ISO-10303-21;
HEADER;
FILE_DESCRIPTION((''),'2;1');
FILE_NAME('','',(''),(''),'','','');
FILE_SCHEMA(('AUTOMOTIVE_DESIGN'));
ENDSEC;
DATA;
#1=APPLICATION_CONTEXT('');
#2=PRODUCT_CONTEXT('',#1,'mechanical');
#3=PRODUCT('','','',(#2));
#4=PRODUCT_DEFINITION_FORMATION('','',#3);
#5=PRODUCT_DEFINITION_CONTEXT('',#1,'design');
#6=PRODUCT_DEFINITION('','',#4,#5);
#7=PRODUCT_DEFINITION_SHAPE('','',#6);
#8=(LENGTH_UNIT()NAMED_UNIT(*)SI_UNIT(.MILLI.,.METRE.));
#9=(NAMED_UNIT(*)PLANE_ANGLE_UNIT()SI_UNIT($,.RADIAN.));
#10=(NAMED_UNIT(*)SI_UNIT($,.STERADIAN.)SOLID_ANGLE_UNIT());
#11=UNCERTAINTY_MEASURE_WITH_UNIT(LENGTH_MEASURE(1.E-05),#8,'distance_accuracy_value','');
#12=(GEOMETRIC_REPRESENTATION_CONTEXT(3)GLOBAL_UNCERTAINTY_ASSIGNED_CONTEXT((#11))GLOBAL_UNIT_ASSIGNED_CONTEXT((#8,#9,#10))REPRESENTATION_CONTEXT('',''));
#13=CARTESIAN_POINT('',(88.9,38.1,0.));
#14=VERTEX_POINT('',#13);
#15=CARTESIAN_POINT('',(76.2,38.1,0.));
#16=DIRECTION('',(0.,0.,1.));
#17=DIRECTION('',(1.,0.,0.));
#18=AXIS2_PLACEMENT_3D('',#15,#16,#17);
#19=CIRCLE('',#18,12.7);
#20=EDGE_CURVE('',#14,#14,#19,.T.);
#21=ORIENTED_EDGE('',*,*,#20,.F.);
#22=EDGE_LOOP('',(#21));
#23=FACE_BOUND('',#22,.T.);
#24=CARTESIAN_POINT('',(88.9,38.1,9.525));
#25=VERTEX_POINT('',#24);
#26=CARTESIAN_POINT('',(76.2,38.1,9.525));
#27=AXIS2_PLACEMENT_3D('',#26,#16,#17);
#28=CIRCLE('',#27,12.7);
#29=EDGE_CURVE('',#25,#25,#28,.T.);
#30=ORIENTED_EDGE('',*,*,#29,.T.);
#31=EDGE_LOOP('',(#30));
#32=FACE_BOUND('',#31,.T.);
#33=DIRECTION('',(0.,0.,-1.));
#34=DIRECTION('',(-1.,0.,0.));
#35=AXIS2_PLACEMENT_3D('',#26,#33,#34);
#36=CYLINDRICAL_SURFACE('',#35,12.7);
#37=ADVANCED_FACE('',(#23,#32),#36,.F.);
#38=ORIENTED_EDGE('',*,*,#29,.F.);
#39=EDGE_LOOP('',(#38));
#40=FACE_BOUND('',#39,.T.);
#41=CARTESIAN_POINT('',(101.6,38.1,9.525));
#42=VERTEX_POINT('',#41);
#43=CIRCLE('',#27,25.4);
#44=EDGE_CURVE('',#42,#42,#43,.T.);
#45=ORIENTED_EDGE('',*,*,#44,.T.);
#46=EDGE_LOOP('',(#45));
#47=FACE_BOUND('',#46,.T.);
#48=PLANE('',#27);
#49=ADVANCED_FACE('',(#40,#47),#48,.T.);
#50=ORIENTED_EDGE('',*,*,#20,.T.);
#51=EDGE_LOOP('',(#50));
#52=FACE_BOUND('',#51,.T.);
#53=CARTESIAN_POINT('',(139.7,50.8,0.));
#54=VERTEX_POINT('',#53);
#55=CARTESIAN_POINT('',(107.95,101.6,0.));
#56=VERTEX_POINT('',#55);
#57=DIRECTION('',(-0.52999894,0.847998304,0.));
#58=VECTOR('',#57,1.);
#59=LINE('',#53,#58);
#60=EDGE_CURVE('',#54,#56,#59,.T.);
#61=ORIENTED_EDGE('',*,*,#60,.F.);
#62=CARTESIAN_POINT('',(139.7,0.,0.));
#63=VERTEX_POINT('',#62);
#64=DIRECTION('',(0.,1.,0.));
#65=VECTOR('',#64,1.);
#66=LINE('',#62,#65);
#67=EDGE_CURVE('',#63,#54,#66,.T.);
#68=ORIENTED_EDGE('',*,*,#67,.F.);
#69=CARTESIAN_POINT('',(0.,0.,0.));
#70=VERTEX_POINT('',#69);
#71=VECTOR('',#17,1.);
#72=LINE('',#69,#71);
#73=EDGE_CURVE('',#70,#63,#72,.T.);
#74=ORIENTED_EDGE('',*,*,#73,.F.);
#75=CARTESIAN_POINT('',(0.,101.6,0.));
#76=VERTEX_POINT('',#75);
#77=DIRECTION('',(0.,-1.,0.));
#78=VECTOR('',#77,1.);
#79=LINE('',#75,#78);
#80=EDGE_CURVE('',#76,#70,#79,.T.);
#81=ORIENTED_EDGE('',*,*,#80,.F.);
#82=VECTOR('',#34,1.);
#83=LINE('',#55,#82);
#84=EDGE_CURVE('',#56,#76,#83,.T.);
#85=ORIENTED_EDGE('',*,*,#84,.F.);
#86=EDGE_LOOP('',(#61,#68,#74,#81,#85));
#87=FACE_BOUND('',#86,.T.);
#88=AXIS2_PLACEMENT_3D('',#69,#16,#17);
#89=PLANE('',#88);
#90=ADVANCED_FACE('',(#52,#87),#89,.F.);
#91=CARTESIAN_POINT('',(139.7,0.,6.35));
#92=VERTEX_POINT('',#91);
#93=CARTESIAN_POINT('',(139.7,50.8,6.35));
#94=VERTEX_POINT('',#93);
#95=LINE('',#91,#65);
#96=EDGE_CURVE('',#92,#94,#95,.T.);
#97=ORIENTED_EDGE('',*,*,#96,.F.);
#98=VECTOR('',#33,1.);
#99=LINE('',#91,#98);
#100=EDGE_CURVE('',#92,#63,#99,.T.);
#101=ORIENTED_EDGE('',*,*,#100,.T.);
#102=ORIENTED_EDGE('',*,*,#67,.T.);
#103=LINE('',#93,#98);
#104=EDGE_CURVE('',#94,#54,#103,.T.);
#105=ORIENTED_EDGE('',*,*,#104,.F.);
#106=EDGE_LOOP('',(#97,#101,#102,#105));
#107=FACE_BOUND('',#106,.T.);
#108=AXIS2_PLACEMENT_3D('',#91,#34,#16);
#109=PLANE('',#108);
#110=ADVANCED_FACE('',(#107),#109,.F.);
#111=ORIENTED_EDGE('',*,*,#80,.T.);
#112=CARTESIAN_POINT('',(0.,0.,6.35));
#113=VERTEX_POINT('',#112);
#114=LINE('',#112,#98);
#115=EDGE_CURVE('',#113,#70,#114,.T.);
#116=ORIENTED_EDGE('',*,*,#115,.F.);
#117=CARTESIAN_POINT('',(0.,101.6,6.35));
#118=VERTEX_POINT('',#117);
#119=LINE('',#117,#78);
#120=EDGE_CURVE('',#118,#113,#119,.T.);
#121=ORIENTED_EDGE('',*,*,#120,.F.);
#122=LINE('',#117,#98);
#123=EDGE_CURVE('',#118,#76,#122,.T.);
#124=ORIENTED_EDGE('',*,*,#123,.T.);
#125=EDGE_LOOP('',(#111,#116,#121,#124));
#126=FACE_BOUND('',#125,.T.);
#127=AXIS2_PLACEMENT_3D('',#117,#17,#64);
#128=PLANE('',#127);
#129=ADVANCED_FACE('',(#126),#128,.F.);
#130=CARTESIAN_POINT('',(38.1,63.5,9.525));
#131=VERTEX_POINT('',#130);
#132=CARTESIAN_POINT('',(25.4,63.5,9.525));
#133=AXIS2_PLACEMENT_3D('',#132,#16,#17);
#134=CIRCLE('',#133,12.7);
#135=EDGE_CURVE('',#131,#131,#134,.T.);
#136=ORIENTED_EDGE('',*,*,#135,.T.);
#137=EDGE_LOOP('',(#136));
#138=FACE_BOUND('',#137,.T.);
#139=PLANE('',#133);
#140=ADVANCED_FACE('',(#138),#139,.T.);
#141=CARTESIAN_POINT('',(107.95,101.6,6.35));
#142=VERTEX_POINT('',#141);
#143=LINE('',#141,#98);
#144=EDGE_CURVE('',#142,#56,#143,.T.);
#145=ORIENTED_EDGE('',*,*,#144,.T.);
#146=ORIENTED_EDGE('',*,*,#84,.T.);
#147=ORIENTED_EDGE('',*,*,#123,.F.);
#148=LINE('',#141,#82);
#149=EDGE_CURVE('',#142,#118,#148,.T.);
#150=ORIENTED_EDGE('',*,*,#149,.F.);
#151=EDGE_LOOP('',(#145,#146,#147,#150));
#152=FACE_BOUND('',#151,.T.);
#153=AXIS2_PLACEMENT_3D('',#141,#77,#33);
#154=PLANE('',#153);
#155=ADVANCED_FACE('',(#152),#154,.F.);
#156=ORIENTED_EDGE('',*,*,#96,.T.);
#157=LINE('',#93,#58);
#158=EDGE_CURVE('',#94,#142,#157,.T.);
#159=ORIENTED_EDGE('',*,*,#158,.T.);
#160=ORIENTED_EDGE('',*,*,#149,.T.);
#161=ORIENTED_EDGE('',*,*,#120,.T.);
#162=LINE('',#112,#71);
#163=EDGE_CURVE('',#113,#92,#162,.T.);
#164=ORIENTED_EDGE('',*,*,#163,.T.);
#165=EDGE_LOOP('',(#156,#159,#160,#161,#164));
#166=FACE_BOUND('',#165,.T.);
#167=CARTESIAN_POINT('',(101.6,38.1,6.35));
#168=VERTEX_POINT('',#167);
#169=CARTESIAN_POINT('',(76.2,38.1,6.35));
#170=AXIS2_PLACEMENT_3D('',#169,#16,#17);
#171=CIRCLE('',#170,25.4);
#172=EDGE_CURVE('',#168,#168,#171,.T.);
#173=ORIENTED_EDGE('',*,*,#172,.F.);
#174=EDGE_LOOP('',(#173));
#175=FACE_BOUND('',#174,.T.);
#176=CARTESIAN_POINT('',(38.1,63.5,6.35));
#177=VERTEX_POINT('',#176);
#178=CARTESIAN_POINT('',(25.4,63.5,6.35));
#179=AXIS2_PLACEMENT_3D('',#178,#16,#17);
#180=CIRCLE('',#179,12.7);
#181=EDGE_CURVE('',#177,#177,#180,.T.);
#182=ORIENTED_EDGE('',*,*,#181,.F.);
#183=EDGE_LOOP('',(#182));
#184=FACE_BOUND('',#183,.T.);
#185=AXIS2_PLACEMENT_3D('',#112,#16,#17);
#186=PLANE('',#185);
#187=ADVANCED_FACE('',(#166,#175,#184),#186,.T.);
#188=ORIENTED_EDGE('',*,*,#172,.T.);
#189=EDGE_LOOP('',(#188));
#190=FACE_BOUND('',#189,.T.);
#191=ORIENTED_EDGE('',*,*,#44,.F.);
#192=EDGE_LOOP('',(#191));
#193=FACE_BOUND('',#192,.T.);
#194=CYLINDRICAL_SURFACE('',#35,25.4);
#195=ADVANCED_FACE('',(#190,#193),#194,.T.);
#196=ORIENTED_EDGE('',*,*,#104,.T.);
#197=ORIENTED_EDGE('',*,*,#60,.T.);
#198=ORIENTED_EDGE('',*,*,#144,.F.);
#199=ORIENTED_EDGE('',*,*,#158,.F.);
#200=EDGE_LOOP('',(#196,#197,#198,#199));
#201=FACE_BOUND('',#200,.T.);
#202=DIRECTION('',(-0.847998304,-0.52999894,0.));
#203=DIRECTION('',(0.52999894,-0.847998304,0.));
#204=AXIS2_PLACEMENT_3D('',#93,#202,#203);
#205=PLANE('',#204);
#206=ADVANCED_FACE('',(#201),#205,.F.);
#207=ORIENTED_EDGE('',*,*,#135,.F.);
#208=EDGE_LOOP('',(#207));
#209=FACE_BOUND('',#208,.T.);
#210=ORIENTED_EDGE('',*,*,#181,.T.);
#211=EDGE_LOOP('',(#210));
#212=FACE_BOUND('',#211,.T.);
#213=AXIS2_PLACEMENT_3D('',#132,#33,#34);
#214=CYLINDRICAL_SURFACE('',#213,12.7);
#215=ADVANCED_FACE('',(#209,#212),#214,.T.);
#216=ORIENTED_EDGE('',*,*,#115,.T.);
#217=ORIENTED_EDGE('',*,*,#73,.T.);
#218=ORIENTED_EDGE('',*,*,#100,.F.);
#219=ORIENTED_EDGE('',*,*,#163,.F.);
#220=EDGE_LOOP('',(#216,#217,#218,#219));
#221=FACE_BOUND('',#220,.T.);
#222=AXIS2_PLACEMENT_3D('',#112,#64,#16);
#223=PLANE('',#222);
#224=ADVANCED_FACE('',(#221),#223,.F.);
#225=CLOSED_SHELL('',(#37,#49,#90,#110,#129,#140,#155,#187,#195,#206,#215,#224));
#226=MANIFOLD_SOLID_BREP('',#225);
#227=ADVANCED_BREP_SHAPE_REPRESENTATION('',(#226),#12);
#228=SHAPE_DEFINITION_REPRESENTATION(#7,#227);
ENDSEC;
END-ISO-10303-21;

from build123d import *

# Parameters (mm, degrees)
BOSS_EXTRUDE2_DEPTH = 6.35
SKETCH2_R           = 12.7
SKETCH2_R_2         = 25.4
BOSS_EXTRUDE4_DEPTH = 3.175
SKETCH5_R           = 12.7
CUT_EXTRUDE1_DEPTH  = 127


with BuildPart() as part:
    # Sketch1 → Boss-Extrude2 (new body)
    with BuildSketch(Plane.XY):
        Polygon((0, 0), (139.7, 0), (139.7, 50.8), (107.95, 101.6), (0, 101.6), align=None)
    extrude(amount=BOSS_EXTRUDE2_DEPTH)

    # Sketch2 → Boss-Extrude4 (add)
    with BuildSketch(Plane.XY.offset(6.35)):
        with Locations((25.4, 63.5)):
            Circle(SKETCH2_R)
        with Locations((76.2, 38.1)):
            Circle(SKETCH2_R_2)
        with Locations((76.2, 38.1)):
            Circle(SKETCH2_R, mode=Mode.SUBTRACT)
    extrude(amount=BOSS_EXTRUDE4_DEPTH)

    # Sketch5 → Cut-Extrude1 (cut)
    with BuildSketch(Plane.XY.offset(6.35)):
        with Locations((76.2, 38.1)):
            Circle(SKETCH5_R)
    extrude(amount=-CUT_EXTRUDE1_DEPTH, mode=Mode.SUBTRACT)


solid = part.part
